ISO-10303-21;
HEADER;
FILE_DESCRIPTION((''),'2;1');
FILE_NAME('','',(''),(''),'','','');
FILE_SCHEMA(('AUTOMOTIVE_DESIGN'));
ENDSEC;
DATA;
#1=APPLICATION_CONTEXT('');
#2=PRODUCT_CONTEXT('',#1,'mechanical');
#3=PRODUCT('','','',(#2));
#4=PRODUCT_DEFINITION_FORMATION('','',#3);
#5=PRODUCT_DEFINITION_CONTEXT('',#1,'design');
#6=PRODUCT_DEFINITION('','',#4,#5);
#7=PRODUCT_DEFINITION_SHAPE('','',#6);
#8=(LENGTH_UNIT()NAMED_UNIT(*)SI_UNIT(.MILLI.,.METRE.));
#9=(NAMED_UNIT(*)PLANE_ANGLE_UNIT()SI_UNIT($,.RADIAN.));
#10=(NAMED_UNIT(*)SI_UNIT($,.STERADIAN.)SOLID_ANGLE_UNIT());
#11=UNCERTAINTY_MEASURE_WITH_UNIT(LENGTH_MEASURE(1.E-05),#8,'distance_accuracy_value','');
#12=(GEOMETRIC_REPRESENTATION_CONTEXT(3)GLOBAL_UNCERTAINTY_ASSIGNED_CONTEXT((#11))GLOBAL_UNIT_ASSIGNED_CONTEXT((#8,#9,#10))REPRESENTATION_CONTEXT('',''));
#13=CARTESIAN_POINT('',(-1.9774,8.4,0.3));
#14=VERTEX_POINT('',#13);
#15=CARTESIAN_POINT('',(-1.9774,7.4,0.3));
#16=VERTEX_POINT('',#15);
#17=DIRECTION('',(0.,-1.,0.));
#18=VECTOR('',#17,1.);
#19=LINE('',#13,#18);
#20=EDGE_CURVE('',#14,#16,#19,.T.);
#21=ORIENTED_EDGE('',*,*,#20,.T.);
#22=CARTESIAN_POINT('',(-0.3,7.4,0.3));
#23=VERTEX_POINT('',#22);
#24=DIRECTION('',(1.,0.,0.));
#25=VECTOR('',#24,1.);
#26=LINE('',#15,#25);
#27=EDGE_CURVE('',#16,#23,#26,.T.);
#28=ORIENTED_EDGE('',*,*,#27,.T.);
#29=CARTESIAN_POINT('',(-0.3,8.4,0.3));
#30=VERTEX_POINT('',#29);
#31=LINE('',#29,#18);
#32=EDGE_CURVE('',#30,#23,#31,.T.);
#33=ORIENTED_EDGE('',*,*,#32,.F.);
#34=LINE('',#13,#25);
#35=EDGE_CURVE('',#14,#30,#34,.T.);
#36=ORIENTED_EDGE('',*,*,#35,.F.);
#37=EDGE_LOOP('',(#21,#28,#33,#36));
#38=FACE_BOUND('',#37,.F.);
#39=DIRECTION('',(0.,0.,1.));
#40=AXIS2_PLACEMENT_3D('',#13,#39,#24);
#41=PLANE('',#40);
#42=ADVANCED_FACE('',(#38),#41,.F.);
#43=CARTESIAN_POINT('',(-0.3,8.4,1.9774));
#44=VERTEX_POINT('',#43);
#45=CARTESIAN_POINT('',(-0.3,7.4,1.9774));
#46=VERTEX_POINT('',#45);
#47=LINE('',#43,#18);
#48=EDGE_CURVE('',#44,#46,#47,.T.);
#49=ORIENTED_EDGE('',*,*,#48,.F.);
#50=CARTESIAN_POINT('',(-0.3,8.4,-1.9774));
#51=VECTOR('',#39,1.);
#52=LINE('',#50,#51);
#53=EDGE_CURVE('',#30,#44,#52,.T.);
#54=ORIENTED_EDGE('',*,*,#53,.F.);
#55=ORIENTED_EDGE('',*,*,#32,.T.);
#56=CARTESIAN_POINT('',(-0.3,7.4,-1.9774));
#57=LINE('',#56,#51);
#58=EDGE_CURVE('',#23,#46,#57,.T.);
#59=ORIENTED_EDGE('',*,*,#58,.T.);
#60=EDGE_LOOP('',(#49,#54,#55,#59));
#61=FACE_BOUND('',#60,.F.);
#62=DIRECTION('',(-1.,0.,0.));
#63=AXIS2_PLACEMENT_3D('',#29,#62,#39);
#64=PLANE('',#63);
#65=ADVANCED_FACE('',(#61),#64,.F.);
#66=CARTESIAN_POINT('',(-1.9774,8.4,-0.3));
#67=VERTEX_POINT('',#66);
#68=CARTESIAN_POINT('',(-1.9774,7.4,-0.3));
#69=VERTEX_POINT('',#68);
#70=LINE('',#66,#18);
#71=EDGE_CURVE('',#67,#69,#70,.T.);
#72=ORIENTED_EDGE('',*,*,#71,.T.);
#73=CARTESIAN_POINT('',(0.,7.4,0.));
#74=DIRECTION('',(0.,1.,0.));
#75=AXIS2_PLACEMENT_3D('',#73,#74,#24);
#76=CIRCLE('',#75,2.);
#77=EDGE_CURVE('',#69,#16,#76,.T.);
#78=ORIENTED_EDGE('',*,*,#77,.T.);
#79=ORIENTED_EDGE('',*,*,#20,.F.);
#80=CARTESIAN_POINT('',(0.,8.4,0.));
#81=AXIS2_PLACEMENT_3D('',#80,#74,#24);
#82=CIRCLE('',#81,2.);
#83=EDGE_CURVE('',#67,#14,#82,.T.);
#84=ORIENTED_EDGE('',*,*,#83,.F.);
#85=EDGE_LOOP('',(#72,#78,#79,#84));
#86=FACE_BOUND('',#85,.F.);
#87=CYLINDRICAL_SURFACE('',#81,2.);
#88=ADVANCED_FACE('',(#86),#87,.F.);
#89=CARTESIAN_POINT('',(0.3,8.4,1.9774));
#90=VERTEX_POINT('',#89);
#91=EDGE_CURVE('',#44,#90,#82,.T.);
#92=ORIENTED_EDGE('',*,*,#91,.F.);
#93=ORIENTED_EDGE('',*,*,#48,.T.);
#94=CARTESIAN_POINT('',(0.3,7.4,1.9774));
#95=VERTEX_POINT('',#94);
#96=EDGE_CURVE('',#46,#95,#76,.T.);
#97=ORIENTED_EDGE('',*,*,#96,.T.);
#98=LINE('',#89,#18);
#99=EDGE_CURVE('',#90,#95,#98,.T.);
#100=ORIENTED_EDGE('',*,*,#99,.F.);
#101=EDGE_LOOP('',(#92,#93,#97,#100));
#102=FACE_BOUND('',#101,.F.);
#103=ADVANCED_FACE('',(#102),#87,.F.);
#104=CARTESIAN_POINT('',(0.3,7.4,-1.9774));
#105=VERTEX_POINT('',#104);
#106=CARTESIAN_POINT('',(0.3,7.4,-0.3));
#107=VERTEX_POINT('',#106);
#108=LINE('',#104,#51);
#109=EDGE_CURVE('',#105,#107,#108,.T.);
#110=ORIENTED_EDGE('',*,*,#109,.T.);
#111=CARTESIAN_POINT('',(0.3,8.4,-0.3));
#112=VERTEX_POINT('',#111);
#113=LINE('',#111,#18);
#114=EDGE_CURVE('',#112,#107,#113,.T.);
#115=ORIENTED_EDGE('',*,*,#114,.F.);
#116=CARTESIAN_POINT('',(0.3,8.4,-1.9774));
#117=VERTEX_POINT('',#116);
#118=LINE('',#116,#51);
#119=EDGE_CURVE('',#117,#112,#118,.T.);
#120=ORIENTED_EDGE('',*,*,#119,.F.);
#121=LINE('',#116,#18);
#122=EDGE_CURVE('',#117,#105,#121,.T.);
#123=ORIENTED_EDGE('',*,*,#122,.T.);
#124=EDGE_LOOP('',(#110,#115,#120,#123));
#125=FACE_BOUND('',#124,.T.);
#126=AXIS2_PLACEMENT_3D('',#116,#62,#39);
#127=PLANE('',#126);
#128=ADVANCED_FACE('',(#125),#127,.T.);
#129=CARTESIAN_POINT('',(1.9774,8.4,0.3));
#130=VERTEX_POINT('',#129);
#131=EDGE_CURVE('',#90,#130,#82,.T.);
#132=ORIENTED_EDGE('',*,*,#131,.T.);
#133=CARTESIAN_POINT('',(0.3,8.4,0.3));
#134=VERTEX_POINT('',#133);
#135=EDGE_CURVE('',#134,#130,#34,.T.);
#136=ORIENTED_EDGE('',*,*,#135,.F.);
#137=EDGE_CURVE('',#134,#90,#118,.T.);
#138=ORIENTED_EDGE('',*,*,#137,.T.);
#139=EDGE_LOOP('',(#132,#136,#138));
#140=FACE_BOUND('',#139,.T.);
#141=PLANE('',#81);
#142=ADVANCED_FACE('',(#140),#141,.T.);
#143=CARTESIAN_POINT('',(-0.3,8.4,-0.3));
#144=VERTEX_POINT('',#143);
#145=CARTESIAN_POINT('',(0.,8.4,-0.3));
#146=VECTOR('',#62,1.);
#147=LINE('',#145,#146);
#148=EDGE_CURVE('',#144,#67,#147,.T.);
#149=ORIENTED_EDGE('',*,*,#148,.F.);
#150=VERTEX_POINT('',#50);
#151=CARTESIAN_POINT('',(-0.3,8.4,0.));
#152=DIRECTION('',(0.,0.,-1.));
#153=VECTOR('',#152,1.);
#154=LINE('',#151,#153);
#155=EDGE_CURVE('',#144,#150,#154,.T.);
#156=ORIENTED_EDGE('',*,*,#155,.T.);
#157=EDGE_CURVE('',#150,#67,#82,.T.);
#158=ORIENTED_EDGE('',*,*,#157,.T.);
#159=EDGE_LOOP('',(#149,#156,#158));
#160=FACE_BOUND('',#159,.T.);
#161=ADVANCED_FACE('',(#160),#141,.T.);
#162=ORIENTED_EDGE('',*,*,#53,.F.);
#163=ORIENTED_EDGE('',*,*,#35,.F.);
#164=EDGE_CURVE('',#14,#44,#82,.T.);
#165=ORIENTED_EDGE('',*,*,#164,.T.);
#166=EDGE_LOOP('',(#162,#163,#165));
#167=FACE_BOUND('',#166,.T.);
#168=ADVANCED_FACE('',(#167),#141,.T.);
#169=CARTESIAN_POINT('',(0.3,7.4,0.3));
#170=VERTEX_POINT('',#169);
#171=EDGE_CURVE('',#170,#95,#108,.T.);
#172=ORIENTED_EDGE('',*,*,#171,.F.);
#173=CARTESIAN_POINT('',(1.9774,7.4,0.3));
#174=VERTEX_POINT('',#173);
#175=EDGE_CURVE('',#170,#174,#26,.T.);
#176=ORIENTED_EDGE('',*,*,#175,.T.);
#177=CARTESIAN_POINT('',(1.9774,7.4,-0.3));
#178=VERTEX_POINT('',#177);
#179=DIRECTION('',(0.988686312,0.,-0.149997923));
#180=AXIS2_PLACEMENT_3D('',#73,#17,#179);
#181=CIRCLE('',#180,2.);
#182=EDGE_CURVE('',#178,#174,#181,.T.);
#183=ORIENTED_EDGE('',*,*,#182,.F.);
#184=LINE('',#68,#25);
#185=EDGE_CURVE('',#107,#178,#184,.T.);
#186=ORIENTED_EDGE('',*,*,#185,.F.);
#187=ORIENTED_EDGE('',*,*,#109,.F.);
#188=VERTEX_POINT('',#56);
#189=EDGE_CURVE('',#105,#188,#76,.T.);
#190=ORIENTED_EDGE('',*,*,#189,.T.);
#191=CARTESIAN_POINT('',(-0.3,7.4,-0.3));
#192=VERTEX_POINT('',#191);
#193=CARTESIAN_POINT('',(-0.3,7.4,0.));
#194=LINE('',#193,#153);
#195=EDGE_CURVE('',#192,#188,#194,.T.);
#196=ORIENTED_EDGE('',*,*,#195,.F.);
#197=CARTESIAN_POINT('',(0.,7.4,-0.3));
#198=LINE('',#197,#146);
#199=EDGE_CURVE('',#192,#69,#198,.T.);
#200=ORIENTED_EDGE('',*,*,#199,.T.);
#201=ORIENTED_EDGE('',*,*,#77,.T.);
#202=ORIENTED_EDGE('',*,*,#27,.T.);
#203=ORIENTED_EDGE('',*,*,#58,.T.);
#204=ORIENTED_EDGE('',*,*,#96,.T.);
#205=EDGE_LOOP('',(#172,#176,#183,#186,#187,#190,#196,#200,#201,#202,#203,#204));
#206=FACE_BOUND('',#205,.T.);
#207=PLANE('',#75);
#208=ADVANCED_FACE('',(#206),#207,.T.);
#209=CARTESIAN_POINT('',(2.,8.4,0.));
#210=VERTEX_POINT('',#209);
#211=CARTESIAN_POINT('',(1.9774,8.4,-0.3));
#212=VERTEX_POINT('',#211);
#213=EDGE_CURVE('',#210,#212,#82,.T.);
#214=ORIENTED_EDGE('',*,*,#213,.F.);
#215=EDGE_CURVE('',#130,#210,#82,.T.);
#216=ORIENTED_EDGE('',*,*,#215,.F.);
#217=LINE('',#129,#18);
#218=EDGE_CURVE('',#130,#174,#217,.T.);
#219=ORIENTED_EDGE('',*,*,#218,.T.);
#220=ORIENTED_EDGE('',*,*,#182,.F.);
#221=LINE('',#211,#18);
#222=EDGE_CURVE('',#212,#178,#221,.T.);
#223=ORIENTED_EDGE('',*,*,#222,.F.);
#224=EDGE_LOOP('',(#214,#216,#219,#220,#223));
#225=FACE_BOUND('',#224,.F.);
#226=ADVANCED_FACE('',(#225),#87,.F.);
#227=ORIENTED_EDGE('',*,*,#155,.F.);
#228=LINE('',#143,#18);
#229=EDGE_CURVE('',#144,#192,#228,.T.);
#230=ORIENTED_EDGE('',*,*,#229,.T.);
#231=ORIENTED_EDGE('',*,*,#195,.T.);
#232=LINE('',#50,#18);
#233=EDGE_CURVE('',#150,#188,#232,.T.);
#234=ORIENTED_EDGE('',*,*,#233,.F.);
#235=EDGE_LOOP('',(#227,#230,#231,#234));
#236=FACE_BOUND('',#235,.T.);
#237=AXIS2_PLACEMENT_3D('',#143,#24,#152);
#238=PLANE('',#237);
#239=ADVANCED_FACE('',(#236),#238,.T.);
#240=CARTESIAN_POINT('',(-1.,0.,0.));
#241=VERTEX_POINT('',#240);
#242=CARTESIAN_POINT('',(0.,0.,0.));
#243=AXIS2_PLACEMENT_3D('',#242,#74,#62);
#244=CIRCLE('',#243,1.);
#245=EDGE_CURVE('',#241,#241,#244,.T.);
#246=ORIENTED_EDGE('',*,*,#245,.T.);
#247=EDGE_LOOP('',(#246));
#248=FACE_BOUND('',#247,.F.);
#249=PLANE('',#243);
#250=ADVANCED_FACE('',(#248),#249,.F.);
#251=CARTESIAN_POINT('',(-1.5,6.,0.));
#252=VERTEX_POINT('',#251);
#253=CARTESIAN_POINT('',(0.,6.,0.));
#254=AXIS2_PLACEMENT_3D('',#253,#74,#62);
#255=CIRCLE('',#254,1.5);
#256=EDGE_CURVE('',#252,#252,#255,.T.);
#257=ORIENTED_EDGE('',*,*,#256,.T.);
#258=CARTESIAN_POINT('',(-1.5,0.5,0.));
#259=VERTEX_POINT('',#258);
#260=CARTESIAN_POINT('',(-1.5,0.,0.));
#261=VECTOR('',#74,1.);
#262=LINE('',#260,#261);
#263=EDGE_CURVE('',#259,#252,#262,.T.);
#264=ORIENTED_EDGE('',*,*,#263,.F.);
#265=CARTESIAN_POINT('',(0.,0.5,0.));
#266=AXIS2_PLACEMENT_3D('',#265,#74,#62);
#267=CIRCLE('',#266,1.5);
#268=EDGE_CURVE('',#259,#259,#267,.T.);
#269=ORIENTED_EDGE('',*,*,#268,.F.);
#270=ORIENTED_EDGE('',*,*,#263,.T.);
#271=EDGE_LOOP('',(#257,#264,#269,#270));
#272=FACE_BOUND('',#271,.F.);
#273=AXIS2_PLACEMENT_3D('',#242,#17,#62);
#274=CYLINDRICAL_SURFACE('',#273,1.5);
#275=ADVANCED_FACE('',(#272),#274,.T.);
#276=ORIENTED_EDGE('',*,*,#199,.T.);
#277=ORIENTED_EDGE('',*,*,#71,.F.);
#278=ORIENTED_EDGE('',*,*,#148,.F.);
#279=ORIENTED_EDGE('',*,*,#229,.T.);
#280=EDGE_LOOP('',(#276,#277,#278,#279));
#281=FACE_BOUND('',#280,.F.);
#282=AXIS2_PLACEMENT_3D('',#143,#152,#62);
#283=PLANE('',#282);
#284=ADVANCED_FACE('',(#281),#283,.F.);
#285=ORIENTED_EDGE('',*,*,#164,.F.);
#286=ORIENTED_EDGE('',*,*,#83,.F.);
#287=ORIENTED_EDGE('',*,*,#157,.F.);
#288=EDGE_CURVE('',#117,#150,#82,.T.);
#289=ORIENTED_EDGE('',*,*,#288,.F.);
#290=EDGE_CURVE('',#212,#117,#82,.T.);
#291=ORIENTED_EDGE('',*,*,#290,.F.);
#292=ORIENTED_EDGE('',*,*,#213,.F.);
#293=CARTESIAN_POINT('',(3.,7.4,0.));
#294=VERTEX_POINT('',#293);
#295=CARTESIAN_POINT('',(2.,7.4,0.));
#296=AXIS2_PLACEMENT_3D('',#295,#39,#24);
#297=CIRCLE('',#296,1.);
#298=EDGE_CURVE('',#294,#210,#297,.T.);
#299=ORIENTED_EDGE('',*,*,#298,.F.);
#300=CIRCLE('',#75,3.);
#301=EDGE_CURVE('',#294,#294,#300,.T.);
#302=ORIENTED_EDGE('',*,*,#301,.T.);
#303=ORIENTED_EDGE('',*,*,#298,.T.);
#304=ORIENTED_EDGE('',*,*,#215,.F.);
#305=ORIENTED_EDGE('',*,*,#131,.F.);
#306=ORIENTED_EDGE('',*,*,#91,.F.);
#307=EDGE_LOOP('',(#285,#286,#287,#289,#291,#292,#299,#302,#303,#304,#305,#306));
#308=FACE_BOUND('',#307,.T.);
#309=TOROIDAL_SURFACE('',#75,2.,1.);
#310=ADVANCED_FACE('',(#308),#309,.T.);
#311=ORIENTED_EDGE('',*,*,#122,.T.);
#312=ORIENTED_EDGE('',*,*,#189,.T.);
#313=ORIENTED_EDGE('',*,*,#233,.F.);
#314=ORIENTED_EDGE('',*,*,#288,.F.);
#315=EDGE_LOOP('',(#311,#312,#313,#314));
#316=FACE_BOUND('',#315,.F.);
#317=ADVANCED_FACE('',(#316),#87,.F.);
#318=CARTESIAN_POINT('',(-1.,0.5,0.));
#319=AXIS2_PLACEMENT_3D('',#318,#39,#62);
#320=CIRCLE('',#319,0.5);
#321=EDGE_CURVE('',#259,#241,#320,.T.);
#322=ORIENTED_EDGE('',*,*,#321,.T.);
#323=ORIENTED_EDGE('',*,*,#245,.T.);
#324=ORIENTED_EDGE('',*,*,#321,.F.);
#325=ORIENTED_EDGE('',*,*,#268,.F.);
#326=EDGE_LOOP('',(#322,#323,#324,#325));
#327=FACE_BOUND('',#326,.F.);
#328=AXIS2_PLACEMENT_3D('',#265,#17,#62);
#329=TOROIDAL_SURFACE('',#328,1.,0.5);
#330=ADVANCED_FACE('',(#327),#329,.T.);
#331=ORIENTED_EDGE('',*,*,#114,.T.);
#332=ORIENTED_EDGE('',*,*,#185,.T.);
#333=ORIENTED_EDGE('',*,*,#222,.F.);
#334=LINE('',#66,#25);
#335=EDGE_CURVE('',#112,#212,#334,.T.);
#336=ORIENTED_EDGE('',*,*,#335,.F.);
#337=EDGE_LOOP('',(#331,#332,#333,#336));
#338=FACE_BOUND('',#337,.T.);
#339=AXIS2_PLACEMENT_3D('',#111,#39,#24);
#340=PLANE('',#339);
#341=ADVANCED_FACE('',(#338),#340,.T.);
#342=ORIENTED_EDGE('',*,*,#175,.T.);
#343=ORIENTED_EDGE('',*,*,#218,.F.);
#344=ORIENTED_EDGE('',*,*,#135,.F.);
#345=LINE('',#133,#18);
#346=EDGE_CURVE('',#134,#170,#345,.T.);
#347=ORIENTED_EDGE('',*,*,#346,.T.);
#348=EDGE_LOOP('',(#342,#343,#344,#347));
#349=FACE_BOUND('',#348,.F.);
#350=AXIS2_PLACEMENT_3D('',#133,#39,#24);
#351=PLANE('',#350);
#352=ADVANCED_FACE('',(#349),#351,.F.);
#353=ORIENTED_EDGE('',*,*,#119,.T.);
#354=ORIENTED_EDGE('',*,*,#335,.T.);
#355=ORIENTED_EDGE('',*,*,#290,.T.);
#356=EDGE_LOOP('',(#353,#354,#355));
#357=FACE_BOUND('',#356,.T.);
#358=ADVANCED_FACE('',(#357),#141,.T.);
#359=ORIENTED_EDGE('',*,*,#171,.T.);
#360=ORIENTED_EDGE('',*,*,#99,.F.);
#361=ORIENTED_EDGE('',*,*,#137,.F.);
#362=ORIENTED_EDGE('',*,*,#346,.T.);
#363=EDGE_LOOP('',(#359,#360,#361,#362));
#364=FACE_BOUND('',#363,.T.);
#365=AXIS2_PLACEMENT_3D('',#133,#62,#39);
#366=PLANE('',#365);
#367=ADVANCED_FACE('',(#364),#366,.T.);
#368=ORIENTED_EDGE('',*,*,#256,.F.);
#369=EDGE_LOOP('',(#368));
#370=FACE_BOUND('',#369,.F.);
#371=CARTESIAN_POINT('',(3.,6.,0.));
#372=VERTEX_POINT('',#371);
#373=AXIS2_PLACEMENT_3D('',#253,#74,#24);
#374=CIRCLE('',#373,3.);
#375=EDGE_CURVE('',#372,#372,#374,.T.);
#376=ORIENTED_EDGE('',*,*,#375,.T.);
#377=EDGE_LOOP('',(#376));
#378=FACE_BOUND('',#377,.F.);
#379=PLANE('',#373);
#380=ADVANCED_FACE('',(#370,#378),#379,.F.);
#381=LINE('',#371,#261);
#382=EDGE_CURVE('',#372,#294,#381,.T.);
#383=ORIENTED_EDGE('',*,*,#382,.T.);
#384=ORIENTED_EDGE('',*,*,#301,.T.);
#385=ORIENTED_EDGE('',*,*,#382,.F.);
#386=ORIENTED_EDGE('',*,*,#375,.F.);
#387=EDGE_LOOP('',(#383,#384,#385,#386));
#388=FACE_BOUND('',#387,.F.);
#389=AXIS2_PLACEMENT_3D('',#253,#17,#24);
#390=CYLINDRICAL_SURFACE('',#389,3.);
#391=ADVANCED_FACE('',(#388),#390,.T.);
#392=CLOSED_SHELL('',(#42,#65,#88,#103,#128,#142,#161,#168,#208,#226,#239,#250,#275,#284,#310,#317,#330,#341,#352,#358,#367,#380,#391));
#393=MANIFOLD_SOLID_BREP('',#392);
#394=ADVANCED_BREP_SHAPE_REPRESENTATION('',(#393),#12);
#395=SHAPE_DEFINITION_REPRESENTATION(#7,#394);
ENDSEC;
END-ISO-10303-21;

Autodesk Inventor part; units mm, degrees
ref_plane "YZ Plane" through (0, 0, 0) normal (1, 0, 0) x (0, 1, 0)
ref_plane "XZ Plane" through (0, 0, 0) normal (0, 1, 0) x (-1, 0, 0)
ref_plane "XY Plane" through (0, 0, 0) normal (0, 0, 1) x (1, 0, 0)
sketch "Sketch1" plane through (0, 0, 0) normal (0, 1, 0) x (-1, 0, 0)
  circle A0 centre (0, 0) radius 1.5
  dimension "d0" = 3
extrude "Extrusion1" add sketch "Sketch1" along normal blind 6
sketch "Sketch2" plane through (0, 6, 0) normal (0, 1, 0) x (1, 0, 0)
  circle A0 centre (0, 0) radius 1.5 projected
  circle A1 centre (0, 0) radius 3
  dimension "d3" = 6
extrude "Extrusion2" add sketch "Sketch2" along normal blind 2.4 contours A0 | A1
fillet "Fillet4" radius 0.5 1 edges at (1.5, 0, 0)
thread "Thread2" size "M3x0.5" class "6g" standard "ANSI Metric M Profile" full length
fillet "Fillet5" radius 1 1 edges at (-3, 8.4, 0)
sketch "Sketch5" plane through (0, 8.4, 0) normal (0, 1, 0) x (1, 0, 0)
  circle A0 centre (0, 0) radius 2 projected
  line L0 (-0.3, 0) -> (-0.3, 1.9774)
  line L1 (0.3, 1.9774) -> (0.3, -1.9774)
  line L2 (-0.3, 1.9774) -> (-0.3, -1.9774)
  line L3 (0, 0.3) -> (-1.9774, 0.3)
  line L4 (-1.9774, 0.3) -> (1.9774, 0.3)
  line L5 (-1.9774, -0.3) -> (1.9774, -0.3)
  dimension "d32" = 0.3
  dimension "d33" = 0.3
  dimension "d35" = 0.3
  dimension "d36" = 0.3
extrude "Extrusion4" cut sketch "Sketch5" against normal blind 1 contours A0 L5 L1 L4 | L1 L4 L3 L0 A0 | L1 L5 L2 L0 L3 L4 | A0 L2 L5 L1 | L5 A0 L3 L0 L2
properties part number "M3x6"
